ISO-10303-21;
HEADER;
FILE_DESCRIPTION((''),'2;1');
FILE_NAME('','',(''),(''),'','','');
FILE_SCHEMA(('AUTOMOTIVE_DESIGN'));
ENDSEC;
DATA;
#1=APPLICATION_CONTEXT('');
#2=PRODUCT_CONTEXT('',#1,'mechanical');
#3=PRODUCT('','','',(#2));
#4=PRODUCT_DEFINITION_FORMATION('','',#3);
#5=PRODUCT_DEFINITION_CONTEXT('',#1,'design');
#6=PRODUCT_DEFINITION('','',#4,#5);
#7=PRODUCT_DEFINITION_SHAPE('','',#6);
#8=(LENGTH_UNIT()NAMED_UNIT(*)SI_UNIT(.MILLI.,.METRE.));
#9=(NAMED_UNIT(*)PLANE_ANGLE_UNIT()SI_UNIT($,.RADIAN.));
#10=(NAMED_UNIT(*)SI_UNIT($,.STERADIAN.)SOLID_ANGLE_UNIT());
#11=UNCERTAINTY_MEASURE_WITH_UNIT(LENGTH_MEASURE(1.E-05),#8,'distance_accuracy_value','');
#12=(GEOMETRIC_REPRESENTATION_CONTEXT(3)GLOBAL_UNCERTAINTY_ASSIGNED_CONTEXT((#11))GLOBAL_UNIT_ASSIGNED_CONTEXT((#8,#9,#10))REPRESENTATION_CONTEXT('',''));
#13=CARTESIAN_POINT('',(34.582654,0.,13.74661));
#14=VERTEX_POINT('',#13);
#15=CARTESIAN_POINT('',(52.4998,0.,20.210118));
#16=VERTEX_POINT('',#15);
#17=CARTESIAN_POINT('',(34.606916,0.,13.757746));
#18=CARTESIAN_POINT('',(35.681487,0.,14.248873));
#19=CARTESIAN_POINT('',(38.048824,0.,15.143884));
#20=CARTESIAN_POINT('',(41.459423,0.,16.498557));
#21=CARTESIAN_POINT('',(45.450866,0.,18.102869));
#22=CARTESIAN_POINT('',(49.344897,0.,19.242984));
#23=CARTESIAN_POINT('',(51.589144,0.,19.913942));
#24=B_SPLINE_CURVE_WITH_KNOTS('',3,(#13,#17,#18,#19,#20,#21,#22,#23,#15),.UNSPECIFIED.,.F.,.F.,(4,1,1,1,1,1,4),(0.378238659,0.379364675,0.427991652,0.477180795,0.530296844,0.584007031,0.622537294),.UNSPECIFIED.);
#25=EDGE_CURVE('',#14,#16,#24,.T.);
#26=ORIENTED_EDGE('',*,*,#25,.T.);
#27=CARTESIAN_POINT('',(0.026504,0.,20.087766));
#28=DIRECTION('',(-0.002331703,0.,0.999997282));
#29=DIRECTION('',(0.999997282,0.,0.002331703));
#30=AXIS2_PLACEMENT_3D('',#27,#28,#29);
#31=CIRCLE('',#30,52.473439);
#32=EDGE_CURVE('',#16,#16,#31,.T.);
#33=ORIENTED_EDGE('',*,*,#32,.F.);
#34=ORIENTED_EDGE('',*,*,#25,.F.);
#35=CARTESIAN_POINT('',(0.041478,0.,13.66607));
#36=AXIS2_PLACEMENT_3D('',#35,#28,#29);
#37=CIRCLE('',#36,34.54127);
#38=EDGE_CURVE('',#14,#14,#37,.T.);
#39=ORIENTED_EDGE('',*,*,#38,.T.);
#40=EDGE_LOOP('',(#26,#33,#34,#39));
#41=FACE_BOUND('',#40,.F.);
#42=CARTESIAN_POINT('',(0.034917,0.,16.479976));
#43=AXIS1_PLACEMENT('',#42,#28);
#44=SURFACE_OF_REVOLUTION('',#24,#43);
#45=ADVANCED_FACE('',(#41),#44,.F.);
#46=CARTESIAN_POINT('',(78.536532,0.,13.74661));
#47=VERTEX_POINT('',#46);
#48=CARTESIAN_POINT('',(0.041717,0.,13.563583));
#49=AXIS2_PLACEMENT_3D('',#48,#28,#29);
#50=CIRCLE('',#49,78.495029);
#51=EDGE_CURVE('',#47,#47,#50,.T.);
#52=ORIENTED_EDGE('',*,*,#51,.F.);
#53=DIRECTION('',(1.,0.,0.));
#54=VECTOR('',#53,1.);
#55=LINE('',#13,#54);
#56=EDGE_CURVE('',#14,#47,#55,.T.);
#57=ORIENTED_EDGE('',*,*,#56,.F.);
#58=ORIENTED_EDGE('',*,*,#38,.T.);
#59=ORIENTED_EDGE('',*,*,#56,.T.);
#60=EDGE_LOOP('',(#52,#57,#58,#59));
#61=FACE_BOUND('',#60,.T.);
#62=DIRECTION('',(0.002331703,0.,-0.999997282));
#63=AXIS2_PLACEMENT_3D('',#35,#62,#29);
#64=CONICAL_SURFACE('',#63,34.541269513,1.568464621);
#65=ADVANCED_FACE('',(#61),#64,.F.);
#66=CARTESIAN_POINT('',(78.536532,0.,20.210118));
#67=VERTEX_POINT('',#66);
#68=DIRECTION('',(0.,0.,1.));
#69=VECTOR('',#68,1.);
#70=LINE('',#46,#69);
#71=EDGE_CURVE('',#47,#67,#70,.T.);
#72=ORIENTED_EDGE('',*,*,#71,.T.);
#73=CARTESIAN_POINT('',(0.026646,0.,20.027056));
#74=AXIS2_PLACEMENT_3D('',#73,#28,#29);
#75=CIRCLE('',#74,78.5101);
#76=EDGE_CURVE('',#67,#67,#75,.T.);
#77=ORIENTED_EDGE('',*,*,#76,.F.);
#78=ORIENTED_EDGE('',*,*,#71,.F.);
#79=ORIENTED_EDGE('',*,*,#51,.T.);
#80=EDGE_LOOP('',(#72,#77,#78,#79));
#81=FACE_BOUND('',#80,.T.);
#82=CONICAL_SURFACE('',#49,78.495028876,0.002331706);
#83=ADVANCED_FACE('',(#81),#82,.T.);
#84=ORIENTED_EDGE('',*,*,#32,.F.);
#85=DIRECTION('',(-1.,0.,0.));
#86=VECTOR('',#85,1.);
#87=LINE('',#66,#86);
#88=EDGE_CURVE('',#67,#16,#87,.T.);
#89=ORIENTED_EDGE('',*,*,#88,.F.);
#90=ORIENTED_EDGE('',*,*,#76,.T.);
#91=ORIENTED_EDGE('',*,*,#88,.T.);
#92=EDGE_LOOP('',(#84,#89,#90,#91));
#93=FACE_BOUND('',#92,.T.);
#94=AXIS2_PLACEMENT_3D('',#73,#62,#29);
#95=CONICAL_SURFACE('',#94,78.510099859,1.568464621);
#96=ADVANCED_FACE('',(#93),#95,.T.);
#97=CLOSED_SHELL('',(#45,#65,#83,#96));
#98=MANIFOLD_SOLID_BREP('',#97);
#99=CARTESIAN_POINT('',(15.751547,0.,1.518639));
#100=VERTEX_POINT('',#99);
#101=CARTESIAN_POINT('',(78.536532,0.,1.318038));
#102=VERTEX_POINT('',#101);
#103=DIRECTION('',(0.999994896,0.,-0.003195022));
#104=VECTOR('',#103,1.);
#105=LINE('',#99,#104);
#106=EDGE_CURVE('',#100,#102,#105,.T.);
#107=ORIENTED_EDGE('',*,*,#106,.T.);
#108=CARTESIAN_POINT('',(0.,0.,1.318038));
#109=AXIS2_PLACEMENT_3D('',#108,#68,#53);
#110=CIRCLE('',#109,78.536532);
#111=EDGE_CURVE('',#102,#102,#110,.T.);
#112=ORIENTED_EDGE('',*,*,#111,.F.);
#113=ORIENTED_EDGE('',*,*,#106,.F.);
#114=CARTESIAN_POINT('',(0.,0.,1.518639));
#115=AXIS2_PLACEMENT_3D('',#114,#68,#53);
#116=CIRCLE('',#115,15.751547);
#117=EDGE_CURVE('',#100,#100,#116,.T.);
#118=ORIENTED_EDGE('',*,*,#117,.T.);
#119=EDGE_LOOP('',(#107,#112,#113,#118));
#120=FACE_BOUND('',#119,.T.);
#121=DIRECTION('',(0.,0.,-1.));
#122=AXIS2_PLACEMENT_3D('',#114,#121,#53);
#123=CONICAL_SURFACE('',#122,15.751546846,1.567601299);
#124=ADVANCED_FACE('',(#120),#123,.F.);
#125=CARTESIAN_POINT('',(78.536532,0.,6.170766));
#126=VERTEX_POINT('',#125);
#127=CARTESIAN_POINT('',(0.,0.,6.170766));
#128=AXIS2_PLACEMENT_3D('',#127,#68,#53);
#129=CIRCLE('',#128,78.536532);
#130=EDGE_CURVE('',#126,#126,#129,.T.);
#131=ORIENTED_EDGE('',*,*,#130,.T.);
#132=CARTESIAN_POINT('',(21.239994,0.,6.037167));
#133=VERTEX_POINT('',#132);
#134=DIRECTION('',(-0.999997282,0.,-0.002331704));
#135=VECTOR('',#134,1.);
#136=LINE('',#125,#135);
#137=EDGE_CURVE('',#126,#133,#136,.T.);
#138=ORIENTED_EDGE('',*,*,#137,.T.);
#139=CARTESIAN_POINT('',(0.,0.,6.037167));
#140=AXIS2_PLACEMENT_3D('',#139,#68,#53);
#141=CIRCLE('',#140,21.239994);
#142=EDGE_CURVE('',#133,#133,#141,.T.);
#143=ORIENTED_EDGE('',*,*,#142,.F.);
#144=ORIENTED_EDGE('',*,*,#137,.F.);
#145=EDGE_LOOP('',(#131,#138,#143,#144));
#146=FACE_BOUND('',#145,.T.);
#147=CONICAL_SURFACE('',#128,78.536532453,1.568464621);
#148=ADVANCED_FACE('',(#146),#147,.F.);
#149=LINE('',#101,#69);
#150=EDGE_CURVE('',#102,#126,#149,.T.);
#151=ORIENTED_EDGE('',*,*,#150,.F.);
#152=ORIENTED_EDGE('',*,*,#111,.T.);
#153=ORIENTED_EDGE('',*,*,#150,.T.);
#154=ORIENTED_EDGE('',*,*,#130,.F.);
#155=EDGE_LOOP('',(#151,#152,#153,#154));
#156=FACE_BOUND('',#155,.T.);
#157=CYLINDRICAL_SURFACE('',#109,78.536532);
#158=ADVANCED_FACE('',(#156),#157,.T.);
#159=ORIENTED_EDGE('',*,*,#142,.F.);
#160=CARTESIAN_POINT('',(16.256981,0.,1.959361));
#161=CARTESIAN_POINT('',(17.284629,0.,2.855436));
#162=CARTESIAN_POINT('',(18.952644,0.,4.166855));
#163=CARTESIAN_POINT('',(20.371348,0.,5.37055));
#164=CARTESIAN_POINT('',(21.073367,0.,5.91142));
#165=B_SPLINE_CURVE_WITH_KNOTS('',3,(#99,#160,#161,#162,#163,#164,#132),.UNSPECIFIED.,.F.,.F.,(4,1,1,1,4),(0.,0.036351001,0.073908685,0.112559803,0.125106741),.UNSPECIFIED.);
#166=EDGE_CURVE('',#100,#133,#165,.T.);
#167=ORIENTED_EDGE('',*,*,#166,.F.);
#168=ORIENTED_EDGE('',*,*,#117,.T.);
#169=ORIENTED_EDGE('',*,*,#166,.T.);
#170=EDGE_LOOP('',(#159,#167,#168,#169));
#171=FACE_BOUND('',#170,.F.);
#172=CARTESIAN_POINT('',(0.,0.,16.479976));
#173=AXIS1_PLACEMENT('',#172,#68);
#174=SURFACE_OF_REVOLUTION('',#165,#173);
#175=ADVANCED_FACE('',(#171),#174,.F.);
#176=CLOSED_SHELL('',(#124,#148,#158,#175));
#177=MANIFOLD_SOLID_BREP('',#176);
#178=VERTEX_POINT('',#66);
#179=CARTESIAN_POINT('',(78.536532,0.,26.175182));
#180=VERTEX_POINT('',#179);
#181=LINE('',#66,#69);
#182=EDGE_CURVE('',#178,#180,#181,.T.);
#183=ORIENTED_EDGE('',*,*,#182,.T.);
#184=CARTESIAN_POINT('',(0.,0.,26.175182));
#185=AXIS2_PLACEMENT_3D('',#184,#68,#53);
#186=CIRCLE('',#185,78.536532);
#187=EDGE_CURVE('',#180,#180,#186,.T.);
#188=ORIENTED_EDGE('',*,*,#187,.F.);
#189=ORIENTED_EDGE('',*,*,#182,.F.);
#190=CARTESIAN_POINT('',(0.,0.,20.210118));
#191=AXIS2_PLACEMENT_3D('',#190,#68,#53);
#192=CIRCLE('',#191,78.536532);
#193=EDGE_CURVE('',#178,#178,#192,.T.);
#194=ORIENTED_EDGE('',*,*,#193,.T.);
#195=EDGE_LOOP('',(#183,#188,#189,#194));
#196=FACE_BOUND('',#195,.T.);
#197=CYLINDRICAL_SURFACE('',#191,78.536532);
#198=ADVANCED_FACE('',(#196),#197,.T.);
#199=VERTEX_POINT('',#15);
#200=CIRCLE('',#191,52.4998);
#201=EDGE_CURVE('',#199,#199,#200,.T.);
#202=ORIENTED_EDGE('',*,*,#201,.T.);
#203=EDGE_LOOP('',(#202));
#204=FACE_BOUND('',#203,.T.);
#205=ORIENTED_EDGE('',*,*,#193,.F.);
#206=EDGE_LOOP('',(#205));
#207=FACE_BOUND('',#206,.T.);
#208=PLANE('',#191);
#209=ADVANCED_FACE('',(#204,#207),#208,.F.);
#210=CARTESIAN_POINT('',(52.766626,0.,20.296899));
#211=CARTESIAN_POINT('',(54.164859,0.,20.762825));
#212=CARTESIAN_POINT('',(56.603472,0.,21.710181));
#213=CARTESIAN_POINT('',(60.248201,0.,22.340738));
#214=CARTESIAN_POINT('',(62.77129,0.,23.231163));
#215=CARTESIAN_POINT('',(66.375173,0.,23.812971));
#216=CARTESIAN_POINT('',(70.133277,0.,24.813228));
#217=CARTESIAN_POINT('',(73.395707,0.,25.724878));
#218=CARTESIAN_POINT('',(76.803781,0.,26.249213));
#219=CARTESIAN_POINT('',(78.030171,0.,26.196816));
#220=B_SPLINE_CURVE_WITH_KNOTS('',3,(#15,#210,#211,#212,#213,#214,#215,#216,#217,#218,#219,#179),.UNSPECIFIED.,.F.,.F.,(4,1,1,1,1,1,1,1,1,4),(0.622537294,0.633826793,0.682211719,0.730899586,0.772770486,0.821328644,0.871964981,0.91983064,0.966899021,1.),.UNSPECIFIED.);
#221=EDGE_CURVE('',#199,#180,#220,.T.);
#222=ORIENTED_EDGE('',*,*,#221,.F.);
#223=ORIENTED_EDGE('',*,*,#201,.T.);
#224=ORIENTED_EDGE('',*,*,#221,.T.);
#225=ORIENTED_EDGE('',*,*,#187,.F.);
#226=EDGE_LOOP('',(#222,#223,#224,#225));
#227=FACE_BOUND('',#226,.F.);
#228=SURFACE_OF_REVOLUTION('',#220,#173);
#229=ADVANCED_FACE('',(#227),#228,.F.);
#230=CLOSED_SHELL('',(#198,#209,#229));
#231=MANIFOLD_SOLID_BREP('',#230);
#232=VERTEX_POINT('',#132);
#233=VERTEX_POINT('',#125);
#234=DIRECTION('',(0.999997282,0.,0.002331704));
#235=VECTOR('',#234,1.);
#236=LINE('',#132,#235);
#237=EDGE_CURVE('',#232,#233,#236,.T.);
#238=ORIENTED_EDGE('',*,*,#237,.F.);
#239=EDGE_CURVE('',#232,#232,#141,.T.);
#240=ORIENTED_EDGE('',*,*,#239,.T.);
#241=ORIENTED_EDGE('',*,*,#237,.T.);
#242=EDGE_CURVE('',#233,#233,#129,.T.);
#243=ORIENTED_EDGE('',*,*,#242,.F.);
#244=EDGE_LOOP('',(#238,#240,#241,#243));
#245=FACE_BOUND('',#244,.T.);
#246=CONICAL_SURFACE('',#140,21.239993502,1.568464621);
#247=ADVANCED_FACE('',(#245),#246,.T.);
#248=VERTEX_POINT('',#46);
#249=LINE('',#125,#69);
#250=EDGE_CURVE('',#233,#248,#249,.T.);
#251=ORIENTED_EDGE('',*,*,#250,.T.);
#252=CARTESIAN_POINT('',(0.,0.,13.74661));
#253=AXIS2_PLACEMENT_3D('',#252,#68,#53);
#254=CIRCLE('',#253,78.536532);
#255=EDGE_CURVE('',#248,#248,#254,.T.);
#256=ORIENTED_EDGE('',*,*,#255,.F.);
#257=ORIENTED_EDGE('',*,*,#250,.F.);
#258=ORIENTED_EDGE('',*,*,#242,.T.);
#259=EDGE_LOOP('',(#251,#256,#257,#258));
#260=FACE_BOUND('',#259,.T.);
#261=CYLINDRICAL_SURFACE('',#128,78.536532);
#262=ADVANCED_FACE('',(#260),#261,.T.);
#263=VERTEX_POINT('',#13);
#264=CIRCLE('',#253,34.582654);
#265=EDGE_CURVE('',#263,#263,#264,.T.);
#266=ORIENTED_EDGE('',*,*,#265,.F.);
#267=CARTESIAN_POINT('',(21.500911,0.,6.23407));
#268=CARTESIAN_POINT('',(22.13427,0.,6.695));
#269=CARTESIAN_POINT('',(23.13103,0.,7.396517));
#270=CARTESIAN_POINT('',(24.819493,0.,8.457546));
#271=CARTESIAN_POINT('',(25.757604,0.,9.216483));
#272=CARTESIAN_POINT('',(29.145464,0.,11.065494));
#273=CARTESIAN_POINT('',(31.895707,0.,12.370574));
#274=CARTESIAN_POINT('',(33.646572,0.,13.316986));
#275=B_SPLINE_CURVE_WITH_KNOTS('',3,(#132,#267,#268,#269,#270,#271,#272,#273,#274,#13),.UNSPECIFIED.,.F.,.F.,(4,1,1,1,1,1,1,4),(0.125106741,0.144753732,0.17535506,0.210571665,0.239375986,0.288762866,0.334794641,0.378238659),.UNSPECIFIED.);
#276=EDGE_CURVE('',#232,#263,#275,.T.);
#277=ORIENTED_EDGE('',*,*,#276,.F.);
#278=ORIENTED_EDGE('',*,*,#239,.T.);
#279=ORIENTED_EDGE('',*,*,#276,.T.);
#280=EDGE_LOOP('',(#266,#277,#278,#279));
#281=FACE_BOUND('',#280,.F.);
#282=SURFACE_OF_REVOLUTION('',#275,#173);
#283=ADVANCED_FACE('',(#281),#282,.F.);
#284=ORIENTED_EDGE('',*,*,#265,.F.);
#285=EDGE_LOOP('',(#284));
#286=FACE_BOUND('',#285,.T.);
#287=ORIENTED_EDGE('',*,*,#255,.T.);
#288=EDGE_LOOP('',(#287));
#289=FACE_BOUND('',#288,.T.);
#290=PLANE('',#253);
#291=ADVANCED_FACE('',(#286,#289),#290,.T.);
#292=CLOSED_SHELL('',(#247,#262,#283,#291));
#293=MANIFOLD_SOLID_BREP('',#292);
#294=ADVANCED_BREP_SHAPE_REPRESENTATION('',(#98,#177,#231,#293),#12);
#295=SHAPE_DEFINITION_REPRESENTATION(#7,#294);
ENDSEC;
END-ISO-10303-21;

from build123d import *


with BuildPart() as f1:
    # F0 (on Front) → F1 (revolve)
    with BuildSketch(Plane.XZ):
        with BuildLine():
            add(Edge.make_bspline(
                [(15.7515468455, 1.5186385906), (16.2569814963, 1.959361021), (17.2846288696, 2.8554358099), (18.9526439694, 4.166854506), (20.3713483355, 5.3705503671), (21.0733665388, 5.9114203979), (21.2399935025, 6.0371666258)],
                knots=[0, 0, 0, 0, 0.0363510009, 0.0739086854, 0.112559803, 0.1251067413, 0.1251067413, 0.1251067413, 0.1251067413], degree=3))
            Line((15.7515468455, 1.5186385906), (78.5365324529, 1.318038129))
            Line((78.5365324529, 1.318038129), (78.5365324529, 6.1707655311))
            Line((78.5365324529, 6.1707655311), (21.2399935025, 6.0371666258))
        make_face()
    revolve(axis=Axis((0, 0, 16.4799756994), (0, 0, 1)))


with BuildPart() as f2:
    # F0 (on Front) → F2 (revolve)
    with BuildSketch(Plane.XZ):
        with BuildLine():
            add(Edge.make_bspline(
                [(21.2399935025, 6.0371666258), (21.5009112116, 6.234070038), (22.1342698046, 6.6949997973), (23.1310298936, 7.396516823), (24.8194929191, 8.4575455522), (25.7576037559, 9.2164833794), (29.1454642161, 11.0654940256), (31.8957072977, 12.37057363), (33.6465721386, 13.3169859548), (34.5826536048, 13.7466102251)],
                knots=[0.1251067413, 0.1251067413, 0.1251067413, 0.1251067413, 0.1447537319, 0.1753550601, 0.2105716651, 0.239375986, 0.2887628656, 0.3347946409, 0.3782386594, 0.3782386594, 0.3782386594, 0.3782386594], degree=3))
            Line((21.2399935025, 6.0371666258), (78.5365324529, 6.1707655311))
            Line((78.5365324529, 6.1707655311), (78.5365324529, 13.7466102251))
            Line((78.5365324529, 13.7466102251), (34.5826536048, 13.7466102251))
        make_face()
    revolve(axis=Axis((0, 0, 16.4799756994), (0, 0, 1)))


with BuildPart() as f3:
    # F0 (on Front) → F3 (revolve)
    with BuildSketch(Plane.XZ):
        with BuildLine():
            add(Edge.make_bspline(
                [(34.5826536048, 13.7466102251), (34.606915689, 13.7577455596), (35.6814873865, 14.2488728005), (38.048823558, 15.143884105), (41.4594226373, 16.4985573287), (45.4508659579, 18.1028686828), (49.3448973071, 19.2429844364), (51.5891441877, 19.9139420623), (52.4998004667, 20.2101180306)],
                knots=[0.3782386594, 0.3782386594, 0.3782386594, 0.3782386594, 0.3793646751, 0.4279916519, 0.4771807945, 0.5302968437, 0.5840070306, 0.6225372943, 0.6225372943, 0.6225372943, 0.6225372943], degree=3))
            Line((34.5826536048, 13.7466102251), (78.5365324529, 13.7466102251))
            Line((78.5365324529, 13.7466102251), (78.5365324529, 20.2101180306))
            Line((78.5365324529, 20.2101180306), (52.4998004667, 20.2101180306))
        make_face()
    revolve(axis=Axis((0.0349167788, 0, 16.4799756994), (-0.0023317035, 0, 0.9999972816)))


with BuildPart() as f4:
    # F0 (on Front) → F4 (revolve)
    with BuildSketch(Plane.XZ):
        with BuildLine():
            add(Edge.make_bspline(
                [(52.4998004667, 20.2101180306), (52.7666258691, 20.2968986017), (54.1648589641, 20.7628246645), (56.603471745, 21.7101812772), (60.2482012651, 22.3407375348), (62.771290046, 23.2311631143), (66.3751725962, 23.8129712703), (70.133277328, 24.8132282159), (73.3957067914, 25.7248775779), (76.803780903, 26.2492134197), (78.0301706551, 26.1968164211), (78.5365324529, 26.1751823212)],
                knots=[0.6225372943, 0.6225372943, 0.6225372943, 0.6225372943, 0.6338267932, 0.6822117186, 0.7308995857, 0.7727704857, 0.8213286443, 0.8719649813, 0.9198306396, 0.966899021, 1, 1, 1, 1], degree=3))
            Line((52.4998004667, 20.2101180306), (78.5365324529, 20.2101180306))
            Line((78.5365324529, 20.2101180306), (78.5365324529, 26.1751823212))
        make_face()
    revolve(axis=Axis((0, 0, 16.4799756994), (0, 0, 1)))


solid = Compound([f1.part, f2.part, f3.part, f4.part])
